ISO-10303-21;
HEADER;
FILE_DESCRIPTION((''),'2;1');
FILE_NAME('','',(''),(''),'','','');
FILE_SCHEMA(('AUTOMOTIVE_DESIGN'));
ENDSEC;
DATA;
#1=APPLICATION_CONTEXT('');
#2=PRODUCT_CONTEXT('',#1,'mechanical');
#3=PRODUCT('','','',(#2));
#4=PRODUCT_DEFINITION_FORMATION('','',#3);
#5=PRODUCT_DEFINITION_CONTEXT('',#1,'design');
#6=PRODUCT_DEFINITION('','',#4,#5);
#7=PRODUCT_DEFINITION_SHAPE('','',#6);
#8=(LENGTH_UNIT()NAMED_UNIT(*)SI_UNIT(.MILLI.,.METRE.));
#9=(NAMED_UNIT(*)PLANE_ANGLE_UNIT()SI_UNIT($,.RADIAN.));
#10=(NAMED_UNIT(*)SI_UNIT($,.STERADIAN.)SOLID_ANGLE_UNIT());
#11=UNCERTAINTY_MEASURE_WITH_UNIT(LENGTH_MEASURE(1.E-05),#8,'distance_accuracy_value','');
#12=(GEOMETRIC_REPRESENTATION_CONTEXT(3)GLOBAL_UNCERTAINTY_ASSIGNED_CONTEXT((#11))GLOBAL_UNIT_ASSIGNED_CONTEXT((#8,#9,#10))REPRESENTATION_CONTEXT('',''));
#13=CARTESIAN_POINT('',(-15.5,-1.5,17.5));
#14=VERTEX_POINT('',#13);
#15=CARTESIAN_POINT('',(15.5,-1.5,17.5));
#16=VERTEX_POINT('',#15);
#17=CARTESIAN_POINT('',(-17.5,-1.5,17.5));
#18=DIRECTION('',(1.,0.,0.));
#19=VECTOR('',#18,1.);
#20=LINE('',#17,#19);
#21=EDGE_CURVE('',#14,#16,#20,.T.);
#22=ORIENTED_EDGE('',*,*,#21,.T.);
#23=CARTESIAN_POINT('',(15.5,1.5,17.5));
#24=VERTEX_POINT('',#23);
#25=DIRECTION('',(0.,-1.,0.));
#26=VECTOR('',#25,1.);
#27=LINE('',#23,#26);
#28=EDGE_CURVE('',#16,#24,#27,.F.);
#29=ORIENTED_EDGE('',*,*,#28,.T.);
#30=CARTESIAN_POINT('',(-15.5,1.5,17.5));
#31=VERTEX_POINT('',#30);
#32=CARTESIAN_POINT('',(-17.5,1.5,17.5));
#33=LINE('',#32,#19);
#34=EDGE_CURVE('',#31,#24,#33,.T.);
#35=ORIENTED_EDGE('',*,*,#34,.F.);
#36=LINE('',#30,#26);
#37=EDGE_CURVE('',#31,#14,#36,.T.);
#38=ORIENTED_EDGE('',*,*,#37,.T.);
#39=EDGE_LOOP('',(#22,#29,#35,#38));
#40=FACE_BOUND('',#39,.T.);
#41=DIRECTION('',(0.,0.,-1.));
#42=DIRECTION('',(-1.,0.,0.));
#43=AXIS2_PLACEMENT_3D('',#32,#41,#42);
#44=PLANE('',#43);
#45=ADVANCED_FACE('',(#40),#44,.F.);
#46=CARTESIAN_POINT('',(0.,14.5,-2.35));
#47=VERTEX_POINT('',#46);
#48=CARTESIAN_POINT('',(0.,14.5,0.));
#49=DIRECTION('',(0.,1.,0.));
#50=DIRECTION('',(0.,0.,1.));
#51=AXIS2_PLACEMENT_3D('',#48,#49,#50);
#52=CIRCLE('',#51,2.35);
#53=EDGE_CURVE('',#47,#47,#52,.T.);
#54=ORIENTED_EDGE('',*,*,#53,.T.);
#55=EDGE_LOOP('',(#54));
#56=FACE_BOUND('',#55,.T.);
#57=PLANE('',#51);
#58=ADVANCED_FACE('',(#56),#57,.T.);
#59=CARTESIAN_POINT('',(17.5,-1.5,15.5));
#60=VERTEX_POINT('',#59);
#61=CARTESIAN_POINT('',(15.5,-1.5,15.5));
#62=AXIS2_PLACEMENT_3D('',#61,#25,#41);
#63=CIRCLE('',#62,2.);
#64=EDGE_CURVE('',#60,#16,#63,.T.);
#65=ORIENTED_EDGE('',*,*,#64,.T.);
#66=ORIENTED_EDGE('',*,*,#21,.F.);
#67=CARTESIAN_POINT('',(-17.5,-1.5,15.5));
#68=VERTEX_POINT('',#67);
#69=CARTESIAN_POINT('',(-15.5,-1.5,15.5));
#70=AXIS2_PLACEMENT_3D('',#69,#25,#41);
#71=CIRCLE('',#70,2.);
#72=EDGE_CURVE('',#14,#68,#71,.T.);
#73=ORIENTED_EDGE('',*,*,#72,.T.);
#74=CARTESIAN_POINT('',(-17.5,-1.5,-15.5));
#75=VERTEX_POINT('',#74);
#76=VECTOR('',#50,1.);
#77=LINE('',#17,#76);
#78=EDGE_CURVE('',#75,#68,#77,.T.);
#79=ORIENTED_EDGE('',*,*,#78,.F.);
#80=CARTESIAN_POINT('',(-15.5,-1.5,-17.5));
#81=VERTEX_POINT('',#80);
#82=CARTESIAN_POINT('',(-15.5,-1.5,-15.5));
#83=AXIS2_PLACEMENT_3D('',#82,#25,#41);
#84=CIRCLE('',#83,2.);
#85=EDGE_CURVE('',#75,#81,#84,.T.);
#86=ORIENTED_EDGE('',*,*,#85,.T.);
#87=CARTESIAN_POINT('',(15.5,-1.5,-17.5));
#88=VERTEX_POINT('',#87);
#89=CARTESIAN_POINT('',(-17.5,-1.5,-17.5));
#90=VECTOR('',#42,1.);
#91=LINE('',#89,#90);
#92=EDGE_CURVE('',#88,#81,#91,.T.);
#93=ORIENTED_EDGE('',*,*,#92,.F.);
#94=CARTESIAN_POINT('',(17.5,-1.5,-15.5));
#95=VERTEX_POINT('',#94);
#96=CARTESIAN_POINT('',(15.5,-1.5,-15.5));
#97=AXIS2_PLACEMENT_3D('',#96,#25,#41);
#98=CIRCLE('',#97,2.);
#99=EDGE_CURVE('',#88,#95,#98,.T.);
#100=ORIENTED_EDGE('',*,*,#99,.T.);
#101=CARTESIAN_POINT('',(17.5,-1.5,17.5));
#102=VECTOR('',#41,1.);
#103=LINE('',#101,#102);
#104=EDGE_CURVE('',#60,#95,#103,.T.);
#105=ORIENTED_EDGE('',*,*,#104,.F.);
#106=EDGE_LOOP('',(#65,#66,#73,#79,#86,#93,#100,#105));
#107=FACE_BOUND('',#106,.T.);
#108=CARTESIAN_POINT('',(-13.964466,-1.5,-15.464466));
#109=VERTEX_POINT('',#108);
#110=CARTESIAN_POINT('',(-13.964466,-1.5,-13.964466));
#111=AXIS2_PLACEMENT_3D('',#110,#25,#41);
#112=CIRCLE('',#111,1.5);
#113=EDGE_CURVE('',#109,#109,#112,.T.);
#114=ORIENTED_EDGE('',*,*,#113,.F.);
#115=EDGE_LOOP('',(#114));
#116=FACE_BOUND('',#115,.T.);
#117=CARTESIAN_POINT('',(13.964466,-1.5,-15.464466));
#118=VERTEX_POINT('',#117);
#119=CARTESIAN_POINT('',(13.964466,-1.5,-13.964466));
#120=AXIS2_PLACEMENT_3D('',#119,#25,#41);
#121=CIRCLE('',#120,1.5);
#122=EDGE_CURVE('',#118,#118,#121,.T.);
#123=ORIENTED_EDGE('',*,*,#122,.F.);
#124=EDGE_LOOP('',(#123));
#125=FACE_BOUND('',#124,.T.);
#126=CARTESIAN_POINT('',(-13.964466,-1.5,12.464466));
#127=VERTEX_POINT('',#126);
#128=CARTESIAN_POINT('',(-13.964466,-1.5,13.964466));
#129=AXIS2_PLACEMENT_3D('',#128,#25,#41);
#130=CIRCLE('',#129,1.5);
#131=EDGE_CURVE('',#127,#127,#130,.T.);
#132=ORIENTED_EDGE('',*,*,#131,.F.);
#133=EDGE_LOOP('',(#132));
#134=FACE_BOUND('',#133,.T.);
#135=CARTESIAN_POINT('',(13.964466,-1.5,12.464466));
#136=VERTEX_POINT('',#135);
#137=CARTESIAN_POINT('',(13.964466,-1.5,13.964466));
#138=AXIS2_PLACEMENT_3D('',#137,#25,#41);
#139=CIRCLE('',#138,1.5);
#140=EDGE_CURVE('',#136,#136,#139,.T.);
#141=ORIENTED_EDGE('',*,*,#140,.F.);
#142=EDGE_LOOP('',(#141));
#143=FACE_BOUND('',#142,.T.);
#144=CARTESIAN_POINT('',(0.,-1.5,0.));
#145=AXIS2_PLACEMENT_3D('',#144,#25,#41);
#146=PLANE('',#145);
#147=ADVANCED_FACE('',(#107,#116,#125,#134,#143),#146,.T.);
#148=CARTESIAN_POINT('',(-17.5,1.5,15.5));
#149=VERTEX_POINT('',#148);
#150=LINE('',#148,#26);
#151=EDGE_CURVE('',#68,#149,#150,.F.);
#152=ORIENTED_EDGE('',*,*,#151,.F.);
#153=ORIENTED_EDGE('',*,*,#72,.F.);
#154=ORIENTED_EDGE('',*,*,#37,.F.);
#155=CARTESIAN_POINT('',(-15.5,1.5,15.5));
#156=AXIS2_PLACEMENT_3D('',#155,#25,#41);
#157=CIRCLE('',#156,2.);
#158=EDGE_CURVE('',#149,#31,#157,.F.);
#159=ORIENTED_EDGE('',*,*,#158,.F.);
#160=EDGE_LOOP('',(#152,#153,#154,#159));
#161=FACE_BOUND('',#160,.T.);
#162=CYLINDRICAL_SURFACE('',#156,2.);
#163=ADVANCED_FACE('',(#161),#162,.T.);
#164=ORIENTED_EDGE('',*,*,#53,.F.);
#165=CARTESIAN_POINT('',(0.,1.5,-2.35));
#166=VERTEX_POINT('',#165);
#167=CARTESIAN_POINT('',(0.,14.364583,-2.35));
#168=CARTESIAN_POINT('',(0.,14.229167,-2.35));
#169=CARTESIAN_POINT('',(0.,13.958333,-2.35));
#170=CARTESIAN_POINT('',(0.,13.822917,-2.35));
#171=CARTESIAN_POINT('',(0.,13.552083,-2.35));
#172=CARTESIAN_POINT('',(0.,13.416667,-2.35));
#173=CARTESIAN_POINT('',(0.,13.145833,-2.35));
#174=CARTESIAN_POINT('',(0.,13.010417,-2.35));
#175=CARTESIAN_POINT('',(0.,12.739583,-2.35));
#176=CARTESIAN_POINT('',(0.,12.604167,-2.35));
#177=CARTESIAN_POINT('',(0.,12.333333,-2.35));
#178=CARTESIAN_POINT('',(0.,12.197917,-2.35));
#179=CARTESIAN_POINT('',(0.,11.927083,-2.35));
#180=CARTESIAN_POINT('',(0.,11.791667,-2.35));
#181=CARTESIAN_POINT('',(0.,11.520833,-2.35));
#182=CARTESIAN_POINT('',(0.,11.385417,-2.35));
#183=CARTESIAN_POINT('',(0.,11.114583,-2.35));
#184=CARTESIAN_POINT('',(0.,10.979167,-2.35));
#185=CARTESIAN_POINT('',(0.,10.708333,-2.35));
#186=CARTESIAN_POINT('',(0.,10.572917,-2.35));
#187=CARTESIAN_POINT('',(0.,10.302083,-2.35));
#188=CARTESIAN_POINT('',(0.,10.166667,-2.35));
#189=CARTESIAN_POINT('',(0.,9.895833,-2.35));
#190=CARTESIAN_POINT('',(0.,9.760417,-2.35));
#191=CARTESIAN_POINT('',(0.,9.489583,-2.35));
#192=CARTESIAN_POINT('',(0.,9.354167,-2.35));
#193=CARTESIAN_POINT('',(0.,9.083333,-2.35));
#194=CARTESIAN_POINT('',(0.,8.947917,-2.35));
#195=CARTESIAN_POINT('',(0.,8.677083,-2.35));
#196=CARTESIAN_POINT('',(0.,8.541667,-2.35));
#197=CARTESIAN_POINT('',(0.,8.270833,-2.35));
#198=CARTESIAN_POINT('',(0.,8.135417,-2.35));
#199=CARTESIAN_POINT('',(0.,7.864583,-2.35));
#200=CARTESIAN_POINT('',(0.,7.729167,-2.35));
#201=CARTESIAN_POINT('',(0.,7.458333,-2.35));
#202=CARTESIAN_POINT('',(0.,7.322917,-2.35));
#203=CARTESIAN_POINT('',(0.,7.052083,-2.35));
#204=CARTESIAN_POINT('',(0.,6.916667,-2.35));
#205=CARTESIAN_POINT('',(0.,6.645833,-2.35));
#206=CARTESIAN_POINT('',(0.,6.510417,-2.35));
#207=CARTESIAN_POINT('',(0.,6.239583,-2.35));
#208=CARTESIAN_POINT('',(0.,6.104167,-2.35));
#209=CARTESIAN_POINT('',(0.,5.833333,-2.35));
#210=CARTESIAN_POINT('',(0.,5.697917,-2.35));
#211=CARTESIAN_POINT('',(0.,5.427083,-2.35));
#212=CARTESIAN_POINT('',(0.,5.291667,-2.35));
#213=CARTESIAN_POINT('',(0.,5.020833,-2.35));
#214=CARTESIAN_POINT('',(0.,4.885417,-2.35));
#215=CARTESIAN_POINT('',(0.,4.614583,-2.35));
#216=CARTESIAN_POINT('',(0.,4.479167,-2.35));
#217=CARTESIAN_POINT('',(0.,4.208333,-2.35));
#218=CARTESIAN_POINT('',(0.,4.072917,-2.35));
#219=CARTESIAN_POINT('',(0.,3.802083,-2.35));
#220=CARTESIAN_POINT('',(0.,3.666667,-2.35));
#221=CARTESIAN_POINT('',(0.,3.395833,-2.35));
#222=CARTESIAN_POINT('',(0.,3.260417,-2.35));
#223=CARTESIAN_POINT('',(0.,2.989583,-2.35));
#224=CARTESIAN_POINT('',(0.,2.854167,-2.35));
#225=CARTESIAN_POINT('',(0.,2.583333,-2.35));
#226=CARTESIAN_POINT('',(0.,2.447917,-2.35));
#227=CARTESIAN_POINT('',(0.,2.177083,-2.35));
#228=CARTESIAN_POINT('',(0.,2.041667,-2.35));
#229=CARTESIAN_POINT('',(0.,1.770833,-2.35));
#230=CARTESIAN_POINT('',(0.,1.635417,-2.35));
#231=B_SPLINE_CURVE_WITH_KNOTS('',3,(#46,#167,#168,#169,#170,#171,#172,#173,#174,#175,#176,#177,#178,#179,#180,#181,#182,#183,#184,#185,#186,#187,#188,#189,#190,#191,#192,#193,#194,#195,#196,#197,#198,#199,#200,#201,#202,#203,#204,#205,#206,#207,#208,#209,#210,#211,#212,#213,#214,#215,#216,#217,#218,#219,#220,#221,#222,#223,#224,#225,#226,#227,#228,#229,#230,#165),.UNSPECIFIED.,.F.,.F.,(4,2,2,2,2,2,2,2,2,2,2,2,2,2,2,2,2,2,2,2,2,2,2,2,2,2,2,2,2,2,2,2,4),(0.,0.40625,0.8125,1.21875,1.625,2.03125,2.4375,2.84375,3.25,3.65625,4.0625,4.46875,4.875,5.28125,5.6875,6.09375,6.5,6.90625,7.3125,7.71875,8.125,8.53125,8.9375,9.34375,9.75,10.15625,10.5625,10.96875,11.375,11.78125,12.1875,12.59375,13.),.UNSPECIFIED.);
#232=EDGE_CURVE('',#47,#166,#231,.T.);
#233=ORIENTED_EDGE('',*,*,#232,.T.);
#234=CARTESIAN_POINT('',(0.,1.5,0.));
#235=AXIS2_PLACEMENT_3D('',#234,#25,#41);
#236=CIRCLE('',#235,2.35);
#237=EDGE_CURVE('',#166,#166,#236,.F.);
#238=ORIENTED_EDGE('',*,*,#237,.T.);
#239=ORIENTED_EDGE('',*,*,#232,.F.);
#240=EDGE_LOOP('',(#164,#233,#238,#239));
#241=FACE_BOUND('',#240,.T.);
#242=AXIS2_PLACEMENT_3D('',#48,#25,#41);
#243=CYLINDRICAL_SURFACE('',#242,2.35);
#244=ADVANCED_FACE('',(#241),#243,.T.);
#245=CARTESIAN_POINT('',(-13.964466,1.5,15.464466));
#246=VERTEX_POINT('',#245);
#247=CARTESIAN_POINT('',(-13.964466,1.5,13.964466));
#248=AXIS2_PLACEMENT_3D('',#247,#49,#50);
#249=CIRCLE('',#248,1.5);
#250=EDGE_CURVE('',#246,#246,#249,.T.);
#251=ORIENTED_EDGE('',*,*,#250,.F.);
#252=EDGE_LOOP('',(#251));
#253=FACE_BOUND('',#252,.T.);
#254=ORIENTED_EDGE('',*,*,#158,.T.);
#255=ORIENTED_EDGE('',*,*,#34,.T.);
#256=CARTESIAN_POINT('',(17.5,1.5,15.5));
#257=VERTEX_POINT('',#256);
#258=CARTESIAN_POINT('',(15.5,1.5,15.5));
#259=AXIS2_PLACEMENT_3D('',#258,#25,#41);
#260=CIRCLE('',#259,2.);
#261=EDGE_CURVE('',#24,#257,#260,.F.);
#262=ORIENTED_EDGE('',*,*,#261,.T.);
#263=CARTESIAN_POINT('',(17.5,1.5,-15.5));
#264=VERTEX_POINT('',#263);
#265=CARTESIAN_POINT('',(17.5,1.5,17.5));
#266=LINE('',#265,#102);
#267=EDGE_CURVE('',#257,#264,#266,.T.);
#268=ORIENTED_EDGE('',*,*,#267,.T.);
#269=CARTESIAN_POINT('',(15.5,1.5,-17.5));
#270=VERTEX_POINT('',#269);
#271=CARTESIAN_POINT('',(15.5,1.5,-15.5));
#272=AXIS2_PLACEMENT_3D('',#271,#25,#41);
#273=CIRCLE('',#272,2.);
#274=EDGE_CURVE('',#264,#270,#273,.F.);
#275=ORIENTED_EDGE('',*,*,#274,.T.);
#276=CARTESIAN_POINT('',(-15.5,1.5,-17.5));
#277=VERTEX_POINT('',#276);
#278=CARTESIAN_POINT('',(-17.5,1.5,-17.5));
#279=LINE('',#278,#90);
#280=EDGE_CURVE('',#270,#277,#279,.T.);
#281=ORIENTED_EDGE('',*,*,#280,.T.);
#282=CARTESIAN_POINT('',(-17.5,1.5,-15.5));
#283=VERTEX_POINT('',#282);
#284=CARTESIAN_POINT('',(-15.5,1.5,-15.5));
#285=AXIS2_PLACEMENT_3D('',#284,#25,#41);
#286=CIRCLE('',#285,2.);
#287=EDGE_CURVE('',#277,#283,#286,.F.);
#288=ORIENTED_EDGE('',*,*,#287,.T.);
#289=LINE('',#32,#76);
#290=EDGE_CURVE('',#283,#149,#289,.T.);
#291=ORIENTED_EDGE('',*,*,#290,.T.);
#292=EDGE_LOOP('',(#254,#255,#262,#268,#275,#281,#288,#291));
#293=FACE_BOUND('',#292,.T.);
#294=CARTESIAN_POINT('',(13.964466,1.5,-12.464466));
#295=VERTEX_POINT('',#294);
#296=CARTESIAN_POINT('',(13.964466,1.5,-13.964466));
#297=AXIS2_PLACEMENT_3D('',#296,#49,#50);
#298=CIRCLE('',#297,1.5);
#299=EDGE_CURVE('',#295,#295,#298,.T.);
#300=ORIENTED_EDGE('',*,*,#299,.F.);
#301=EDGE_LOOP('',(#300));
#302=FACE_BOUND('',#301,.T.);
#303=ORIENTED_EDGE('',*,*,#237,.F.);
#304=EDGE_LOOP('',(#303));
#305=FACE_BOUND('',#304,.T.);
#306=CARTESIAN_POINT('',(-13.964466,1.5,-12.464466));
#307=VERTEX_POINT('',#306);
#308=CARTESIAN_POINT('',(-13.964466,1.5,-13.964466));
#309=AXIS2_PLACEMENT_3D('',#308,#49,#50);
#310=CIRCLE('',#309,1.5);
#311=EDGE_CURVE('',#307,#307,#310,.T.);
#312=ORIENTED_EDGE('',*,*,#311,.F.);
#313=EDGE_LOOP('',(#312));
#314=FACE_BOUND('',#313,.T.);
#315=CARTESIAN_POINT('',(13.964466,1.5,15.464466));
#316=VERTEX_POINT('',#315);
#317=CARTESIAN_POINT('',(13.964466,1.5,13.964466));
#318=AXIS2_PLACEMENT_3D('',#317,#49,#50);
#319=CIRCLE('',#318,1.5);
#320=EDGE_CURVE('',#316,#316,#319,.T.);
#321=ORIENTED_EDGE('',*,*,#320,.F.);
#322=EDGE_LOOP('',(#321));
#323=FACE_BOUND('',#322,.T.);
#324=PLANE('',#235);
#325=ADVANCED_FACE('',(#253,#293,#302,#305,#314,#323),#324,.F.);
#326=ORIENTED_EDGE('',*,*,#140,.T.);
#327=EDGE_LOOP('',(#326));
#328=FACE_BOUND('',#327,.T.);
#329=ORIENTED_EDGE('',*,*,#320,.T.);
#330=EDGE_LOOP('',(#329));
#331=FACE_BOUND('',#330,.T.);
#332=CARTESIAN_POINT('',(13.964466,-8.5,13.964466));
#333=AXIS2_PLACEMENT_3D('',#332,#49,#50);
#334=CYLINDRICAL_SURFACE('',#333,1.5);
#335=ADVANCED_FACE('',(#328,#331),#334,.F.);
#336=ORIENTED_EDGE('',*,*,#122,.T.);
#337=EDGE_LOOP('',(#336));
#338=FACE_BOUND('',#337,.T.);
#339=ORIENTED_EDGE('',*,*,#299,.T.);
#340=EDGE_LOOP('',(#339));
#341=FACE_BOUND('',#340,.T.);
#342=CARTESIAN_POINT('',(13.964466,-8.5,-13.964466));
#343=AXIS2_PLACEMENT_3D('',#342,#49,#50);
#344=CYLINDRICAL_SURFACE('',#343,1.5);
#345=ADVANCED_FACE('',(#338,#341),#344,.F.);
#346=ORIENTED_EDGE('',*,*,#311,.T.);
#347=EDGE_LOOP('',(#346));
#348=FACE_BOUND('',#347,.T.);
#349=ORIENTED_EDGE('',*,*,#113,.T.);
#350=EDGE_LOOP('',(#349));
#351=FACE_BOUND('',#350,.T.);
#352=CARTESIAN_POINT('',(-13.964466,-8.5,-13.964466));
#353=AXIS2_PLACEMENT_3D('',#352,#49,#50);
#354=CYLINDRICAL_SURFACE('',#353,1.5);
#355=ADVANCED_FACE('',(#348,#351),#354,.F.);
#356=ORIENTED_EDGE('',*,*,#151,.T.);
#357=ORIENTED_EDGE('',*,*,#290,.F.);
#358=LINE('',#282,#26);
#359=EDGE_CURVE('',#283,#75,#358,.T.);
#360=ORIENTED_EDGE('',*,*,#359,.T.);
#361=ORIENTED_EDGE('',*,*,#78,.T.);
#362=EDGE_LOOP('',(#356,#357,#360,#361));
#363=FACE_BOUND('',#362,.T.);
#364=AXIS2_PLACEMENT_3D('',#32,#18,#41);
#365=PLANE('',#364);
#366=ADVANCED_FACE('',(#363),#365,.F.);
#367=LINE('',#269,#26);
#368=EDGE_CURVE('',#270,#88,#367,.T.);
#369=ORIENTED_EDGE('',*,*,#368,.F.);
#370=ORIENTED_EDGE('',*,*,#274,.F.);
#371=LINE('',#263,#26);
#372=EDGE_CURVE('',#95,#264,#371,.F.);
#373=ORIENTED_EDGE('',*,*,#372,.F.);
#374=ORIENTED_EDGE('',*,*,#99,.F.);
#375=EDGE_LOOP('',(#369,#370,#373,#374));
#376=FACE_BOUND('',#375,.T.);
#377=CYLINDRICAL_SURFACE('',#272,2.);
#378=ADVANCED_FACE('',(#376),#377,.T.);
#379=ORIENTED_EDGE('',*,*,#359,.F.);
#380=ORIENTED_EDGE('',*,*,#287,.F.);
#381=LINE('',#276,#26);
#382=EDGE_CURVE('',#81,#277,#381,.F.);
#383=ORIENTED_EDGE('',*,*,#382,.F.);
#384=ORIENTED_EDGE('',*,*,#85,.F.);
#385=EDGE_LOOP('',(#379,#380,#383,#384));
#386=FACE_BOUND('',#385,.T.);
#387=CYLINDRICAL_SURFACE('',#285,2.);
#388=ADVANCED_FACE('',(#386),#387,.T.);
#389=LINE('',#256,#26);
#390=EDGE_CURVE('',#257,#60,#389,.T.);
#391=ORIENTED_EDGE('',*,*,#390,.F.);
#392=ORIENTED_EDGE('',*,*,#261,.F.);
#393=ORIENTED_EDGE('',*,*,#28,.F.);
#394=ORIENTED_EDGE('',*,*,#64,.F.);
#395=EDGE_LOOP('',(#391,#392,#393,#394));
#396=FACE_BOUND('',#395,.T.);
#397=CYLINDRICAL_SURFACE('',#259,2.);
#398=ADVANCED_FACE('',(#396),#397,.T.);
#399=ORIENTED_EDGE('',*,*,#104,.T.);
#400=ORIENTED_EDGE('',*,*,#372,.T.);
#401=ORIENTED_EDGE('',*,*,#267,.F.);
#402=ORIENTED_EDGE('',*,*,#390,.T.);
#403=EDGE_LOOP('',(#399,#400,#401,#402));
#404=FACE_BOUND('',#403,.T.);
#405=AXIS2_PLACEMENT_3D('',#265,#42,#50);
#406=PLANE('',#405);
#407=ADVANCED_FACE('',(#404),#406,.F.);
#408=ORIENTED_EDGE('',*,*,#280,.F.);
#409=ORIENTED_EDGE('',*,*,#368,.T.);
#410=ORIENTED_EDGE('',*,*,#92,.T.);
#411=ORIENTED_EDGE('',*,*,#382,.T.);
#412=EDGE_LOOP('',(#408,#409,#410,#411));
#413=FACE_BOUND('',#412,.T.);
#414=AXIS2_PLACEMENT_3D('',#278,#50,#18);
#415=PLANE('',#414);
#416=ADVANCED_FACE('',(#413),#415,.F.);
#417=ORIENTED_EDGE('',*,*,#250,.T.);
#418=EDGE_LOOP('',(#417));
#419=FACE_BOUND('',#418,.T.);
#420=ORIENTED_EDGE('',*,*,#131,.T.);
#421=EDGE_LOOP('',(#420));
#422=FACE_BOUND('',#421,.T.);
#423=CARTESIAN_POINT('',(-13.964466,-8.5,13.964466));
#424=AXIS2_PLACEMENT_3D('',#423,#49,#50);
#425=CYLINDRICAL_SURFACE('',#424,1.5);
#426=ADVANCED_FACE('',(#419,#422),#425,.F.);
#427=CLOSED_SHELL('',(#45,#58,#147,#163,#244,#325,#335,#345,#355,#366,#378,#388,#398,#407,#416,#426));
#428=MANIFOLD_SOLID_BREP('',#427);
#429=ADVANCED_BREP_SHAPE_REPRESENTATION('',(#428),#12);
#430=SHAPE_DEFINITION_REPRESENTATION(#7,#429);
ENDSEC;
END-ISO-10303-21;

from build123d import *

# Parameters (mm, degrees)
ESBO_O1_W                = 35
ESBO_O1_H                = 35
RESSALTO_EXTRUS_O1_DEPTH = 1.5
FILETE1_R                = 2
ESBO_O2_R                = 2.35
RESSALTO_EXTRUS_O2_DEPTH = 13
ESBO_O3_R                = 1.5
CORTE_EXTRUS_O1_DEPTH    = 10


with BuildPart() as part:
    # Esboço1 → Ressalto-extrusão1 (new, symmetric)
    with BuildSketch(Plane(origin=(0, 0, 0), x_dir=(1, 0, 0), z_dir=(0, 1, 0))):
        Rectangle(ESBO_O1_W, ESBO_O1_H)
    extrude(amount=RESSALTO_EXTRUS_O1_DEPTH, both=True)

    # Filete1
    filete1_edges = [part.edges().sort_by_distance(p)[0] for p in [
        (17.5, 0, 17.5),
        (-17.5, 0, 17.5),
        (-17.5, 0, -17.5),
        (17.5, 0, -17.5),
    ]]
    fillet(filete1_edges, radius=FILETE1_R)

    # Esboço2 → Ressalto-extrusão2 (add)
    with BuildSketch(Plane(origin=(0, 1.5, 0), x_dir=(1, 0, 0), z_dir=(0, 1, 0))):
        with Locations(Location((0, 0, 0), (0, 0, 90))):
            Circle(ESBO_O2_R)
    extrude(amount=RESSALTO_EXTRUS_O2_DEPTH)

    # Esboço3 → Corte-extrusão1 (cut)
    with BuildSketch(Plane(origin=(0, 1.5, 0), x_dir=(1, 0, 0), z_dir=(0, 1, 0))):
        with Locations(Location((13.964466094, 13.964466094, 0), (0, 0, 270))):
            Circle(ESBO_O3_R)
        with Locations(Location((13.964466094, -13.964466094, 0), (0, 0, 270))):
            Circle(ESBO_O3_R)
        with Locations(Location((-13.964466094, -13.964466094, 0), (0, 0, 270))):
            Circle(ESBO_O3_R)
        with Locations(Location((-13.964466094, 13.964466094, 0), (0, 0, 270))):
            Circle(ESBO_O3_R)
    extrude(amount=-CORTE_EXTRUS_O1_DEPTH, mode=Mode.SUBTRACT)


solid = part.part
